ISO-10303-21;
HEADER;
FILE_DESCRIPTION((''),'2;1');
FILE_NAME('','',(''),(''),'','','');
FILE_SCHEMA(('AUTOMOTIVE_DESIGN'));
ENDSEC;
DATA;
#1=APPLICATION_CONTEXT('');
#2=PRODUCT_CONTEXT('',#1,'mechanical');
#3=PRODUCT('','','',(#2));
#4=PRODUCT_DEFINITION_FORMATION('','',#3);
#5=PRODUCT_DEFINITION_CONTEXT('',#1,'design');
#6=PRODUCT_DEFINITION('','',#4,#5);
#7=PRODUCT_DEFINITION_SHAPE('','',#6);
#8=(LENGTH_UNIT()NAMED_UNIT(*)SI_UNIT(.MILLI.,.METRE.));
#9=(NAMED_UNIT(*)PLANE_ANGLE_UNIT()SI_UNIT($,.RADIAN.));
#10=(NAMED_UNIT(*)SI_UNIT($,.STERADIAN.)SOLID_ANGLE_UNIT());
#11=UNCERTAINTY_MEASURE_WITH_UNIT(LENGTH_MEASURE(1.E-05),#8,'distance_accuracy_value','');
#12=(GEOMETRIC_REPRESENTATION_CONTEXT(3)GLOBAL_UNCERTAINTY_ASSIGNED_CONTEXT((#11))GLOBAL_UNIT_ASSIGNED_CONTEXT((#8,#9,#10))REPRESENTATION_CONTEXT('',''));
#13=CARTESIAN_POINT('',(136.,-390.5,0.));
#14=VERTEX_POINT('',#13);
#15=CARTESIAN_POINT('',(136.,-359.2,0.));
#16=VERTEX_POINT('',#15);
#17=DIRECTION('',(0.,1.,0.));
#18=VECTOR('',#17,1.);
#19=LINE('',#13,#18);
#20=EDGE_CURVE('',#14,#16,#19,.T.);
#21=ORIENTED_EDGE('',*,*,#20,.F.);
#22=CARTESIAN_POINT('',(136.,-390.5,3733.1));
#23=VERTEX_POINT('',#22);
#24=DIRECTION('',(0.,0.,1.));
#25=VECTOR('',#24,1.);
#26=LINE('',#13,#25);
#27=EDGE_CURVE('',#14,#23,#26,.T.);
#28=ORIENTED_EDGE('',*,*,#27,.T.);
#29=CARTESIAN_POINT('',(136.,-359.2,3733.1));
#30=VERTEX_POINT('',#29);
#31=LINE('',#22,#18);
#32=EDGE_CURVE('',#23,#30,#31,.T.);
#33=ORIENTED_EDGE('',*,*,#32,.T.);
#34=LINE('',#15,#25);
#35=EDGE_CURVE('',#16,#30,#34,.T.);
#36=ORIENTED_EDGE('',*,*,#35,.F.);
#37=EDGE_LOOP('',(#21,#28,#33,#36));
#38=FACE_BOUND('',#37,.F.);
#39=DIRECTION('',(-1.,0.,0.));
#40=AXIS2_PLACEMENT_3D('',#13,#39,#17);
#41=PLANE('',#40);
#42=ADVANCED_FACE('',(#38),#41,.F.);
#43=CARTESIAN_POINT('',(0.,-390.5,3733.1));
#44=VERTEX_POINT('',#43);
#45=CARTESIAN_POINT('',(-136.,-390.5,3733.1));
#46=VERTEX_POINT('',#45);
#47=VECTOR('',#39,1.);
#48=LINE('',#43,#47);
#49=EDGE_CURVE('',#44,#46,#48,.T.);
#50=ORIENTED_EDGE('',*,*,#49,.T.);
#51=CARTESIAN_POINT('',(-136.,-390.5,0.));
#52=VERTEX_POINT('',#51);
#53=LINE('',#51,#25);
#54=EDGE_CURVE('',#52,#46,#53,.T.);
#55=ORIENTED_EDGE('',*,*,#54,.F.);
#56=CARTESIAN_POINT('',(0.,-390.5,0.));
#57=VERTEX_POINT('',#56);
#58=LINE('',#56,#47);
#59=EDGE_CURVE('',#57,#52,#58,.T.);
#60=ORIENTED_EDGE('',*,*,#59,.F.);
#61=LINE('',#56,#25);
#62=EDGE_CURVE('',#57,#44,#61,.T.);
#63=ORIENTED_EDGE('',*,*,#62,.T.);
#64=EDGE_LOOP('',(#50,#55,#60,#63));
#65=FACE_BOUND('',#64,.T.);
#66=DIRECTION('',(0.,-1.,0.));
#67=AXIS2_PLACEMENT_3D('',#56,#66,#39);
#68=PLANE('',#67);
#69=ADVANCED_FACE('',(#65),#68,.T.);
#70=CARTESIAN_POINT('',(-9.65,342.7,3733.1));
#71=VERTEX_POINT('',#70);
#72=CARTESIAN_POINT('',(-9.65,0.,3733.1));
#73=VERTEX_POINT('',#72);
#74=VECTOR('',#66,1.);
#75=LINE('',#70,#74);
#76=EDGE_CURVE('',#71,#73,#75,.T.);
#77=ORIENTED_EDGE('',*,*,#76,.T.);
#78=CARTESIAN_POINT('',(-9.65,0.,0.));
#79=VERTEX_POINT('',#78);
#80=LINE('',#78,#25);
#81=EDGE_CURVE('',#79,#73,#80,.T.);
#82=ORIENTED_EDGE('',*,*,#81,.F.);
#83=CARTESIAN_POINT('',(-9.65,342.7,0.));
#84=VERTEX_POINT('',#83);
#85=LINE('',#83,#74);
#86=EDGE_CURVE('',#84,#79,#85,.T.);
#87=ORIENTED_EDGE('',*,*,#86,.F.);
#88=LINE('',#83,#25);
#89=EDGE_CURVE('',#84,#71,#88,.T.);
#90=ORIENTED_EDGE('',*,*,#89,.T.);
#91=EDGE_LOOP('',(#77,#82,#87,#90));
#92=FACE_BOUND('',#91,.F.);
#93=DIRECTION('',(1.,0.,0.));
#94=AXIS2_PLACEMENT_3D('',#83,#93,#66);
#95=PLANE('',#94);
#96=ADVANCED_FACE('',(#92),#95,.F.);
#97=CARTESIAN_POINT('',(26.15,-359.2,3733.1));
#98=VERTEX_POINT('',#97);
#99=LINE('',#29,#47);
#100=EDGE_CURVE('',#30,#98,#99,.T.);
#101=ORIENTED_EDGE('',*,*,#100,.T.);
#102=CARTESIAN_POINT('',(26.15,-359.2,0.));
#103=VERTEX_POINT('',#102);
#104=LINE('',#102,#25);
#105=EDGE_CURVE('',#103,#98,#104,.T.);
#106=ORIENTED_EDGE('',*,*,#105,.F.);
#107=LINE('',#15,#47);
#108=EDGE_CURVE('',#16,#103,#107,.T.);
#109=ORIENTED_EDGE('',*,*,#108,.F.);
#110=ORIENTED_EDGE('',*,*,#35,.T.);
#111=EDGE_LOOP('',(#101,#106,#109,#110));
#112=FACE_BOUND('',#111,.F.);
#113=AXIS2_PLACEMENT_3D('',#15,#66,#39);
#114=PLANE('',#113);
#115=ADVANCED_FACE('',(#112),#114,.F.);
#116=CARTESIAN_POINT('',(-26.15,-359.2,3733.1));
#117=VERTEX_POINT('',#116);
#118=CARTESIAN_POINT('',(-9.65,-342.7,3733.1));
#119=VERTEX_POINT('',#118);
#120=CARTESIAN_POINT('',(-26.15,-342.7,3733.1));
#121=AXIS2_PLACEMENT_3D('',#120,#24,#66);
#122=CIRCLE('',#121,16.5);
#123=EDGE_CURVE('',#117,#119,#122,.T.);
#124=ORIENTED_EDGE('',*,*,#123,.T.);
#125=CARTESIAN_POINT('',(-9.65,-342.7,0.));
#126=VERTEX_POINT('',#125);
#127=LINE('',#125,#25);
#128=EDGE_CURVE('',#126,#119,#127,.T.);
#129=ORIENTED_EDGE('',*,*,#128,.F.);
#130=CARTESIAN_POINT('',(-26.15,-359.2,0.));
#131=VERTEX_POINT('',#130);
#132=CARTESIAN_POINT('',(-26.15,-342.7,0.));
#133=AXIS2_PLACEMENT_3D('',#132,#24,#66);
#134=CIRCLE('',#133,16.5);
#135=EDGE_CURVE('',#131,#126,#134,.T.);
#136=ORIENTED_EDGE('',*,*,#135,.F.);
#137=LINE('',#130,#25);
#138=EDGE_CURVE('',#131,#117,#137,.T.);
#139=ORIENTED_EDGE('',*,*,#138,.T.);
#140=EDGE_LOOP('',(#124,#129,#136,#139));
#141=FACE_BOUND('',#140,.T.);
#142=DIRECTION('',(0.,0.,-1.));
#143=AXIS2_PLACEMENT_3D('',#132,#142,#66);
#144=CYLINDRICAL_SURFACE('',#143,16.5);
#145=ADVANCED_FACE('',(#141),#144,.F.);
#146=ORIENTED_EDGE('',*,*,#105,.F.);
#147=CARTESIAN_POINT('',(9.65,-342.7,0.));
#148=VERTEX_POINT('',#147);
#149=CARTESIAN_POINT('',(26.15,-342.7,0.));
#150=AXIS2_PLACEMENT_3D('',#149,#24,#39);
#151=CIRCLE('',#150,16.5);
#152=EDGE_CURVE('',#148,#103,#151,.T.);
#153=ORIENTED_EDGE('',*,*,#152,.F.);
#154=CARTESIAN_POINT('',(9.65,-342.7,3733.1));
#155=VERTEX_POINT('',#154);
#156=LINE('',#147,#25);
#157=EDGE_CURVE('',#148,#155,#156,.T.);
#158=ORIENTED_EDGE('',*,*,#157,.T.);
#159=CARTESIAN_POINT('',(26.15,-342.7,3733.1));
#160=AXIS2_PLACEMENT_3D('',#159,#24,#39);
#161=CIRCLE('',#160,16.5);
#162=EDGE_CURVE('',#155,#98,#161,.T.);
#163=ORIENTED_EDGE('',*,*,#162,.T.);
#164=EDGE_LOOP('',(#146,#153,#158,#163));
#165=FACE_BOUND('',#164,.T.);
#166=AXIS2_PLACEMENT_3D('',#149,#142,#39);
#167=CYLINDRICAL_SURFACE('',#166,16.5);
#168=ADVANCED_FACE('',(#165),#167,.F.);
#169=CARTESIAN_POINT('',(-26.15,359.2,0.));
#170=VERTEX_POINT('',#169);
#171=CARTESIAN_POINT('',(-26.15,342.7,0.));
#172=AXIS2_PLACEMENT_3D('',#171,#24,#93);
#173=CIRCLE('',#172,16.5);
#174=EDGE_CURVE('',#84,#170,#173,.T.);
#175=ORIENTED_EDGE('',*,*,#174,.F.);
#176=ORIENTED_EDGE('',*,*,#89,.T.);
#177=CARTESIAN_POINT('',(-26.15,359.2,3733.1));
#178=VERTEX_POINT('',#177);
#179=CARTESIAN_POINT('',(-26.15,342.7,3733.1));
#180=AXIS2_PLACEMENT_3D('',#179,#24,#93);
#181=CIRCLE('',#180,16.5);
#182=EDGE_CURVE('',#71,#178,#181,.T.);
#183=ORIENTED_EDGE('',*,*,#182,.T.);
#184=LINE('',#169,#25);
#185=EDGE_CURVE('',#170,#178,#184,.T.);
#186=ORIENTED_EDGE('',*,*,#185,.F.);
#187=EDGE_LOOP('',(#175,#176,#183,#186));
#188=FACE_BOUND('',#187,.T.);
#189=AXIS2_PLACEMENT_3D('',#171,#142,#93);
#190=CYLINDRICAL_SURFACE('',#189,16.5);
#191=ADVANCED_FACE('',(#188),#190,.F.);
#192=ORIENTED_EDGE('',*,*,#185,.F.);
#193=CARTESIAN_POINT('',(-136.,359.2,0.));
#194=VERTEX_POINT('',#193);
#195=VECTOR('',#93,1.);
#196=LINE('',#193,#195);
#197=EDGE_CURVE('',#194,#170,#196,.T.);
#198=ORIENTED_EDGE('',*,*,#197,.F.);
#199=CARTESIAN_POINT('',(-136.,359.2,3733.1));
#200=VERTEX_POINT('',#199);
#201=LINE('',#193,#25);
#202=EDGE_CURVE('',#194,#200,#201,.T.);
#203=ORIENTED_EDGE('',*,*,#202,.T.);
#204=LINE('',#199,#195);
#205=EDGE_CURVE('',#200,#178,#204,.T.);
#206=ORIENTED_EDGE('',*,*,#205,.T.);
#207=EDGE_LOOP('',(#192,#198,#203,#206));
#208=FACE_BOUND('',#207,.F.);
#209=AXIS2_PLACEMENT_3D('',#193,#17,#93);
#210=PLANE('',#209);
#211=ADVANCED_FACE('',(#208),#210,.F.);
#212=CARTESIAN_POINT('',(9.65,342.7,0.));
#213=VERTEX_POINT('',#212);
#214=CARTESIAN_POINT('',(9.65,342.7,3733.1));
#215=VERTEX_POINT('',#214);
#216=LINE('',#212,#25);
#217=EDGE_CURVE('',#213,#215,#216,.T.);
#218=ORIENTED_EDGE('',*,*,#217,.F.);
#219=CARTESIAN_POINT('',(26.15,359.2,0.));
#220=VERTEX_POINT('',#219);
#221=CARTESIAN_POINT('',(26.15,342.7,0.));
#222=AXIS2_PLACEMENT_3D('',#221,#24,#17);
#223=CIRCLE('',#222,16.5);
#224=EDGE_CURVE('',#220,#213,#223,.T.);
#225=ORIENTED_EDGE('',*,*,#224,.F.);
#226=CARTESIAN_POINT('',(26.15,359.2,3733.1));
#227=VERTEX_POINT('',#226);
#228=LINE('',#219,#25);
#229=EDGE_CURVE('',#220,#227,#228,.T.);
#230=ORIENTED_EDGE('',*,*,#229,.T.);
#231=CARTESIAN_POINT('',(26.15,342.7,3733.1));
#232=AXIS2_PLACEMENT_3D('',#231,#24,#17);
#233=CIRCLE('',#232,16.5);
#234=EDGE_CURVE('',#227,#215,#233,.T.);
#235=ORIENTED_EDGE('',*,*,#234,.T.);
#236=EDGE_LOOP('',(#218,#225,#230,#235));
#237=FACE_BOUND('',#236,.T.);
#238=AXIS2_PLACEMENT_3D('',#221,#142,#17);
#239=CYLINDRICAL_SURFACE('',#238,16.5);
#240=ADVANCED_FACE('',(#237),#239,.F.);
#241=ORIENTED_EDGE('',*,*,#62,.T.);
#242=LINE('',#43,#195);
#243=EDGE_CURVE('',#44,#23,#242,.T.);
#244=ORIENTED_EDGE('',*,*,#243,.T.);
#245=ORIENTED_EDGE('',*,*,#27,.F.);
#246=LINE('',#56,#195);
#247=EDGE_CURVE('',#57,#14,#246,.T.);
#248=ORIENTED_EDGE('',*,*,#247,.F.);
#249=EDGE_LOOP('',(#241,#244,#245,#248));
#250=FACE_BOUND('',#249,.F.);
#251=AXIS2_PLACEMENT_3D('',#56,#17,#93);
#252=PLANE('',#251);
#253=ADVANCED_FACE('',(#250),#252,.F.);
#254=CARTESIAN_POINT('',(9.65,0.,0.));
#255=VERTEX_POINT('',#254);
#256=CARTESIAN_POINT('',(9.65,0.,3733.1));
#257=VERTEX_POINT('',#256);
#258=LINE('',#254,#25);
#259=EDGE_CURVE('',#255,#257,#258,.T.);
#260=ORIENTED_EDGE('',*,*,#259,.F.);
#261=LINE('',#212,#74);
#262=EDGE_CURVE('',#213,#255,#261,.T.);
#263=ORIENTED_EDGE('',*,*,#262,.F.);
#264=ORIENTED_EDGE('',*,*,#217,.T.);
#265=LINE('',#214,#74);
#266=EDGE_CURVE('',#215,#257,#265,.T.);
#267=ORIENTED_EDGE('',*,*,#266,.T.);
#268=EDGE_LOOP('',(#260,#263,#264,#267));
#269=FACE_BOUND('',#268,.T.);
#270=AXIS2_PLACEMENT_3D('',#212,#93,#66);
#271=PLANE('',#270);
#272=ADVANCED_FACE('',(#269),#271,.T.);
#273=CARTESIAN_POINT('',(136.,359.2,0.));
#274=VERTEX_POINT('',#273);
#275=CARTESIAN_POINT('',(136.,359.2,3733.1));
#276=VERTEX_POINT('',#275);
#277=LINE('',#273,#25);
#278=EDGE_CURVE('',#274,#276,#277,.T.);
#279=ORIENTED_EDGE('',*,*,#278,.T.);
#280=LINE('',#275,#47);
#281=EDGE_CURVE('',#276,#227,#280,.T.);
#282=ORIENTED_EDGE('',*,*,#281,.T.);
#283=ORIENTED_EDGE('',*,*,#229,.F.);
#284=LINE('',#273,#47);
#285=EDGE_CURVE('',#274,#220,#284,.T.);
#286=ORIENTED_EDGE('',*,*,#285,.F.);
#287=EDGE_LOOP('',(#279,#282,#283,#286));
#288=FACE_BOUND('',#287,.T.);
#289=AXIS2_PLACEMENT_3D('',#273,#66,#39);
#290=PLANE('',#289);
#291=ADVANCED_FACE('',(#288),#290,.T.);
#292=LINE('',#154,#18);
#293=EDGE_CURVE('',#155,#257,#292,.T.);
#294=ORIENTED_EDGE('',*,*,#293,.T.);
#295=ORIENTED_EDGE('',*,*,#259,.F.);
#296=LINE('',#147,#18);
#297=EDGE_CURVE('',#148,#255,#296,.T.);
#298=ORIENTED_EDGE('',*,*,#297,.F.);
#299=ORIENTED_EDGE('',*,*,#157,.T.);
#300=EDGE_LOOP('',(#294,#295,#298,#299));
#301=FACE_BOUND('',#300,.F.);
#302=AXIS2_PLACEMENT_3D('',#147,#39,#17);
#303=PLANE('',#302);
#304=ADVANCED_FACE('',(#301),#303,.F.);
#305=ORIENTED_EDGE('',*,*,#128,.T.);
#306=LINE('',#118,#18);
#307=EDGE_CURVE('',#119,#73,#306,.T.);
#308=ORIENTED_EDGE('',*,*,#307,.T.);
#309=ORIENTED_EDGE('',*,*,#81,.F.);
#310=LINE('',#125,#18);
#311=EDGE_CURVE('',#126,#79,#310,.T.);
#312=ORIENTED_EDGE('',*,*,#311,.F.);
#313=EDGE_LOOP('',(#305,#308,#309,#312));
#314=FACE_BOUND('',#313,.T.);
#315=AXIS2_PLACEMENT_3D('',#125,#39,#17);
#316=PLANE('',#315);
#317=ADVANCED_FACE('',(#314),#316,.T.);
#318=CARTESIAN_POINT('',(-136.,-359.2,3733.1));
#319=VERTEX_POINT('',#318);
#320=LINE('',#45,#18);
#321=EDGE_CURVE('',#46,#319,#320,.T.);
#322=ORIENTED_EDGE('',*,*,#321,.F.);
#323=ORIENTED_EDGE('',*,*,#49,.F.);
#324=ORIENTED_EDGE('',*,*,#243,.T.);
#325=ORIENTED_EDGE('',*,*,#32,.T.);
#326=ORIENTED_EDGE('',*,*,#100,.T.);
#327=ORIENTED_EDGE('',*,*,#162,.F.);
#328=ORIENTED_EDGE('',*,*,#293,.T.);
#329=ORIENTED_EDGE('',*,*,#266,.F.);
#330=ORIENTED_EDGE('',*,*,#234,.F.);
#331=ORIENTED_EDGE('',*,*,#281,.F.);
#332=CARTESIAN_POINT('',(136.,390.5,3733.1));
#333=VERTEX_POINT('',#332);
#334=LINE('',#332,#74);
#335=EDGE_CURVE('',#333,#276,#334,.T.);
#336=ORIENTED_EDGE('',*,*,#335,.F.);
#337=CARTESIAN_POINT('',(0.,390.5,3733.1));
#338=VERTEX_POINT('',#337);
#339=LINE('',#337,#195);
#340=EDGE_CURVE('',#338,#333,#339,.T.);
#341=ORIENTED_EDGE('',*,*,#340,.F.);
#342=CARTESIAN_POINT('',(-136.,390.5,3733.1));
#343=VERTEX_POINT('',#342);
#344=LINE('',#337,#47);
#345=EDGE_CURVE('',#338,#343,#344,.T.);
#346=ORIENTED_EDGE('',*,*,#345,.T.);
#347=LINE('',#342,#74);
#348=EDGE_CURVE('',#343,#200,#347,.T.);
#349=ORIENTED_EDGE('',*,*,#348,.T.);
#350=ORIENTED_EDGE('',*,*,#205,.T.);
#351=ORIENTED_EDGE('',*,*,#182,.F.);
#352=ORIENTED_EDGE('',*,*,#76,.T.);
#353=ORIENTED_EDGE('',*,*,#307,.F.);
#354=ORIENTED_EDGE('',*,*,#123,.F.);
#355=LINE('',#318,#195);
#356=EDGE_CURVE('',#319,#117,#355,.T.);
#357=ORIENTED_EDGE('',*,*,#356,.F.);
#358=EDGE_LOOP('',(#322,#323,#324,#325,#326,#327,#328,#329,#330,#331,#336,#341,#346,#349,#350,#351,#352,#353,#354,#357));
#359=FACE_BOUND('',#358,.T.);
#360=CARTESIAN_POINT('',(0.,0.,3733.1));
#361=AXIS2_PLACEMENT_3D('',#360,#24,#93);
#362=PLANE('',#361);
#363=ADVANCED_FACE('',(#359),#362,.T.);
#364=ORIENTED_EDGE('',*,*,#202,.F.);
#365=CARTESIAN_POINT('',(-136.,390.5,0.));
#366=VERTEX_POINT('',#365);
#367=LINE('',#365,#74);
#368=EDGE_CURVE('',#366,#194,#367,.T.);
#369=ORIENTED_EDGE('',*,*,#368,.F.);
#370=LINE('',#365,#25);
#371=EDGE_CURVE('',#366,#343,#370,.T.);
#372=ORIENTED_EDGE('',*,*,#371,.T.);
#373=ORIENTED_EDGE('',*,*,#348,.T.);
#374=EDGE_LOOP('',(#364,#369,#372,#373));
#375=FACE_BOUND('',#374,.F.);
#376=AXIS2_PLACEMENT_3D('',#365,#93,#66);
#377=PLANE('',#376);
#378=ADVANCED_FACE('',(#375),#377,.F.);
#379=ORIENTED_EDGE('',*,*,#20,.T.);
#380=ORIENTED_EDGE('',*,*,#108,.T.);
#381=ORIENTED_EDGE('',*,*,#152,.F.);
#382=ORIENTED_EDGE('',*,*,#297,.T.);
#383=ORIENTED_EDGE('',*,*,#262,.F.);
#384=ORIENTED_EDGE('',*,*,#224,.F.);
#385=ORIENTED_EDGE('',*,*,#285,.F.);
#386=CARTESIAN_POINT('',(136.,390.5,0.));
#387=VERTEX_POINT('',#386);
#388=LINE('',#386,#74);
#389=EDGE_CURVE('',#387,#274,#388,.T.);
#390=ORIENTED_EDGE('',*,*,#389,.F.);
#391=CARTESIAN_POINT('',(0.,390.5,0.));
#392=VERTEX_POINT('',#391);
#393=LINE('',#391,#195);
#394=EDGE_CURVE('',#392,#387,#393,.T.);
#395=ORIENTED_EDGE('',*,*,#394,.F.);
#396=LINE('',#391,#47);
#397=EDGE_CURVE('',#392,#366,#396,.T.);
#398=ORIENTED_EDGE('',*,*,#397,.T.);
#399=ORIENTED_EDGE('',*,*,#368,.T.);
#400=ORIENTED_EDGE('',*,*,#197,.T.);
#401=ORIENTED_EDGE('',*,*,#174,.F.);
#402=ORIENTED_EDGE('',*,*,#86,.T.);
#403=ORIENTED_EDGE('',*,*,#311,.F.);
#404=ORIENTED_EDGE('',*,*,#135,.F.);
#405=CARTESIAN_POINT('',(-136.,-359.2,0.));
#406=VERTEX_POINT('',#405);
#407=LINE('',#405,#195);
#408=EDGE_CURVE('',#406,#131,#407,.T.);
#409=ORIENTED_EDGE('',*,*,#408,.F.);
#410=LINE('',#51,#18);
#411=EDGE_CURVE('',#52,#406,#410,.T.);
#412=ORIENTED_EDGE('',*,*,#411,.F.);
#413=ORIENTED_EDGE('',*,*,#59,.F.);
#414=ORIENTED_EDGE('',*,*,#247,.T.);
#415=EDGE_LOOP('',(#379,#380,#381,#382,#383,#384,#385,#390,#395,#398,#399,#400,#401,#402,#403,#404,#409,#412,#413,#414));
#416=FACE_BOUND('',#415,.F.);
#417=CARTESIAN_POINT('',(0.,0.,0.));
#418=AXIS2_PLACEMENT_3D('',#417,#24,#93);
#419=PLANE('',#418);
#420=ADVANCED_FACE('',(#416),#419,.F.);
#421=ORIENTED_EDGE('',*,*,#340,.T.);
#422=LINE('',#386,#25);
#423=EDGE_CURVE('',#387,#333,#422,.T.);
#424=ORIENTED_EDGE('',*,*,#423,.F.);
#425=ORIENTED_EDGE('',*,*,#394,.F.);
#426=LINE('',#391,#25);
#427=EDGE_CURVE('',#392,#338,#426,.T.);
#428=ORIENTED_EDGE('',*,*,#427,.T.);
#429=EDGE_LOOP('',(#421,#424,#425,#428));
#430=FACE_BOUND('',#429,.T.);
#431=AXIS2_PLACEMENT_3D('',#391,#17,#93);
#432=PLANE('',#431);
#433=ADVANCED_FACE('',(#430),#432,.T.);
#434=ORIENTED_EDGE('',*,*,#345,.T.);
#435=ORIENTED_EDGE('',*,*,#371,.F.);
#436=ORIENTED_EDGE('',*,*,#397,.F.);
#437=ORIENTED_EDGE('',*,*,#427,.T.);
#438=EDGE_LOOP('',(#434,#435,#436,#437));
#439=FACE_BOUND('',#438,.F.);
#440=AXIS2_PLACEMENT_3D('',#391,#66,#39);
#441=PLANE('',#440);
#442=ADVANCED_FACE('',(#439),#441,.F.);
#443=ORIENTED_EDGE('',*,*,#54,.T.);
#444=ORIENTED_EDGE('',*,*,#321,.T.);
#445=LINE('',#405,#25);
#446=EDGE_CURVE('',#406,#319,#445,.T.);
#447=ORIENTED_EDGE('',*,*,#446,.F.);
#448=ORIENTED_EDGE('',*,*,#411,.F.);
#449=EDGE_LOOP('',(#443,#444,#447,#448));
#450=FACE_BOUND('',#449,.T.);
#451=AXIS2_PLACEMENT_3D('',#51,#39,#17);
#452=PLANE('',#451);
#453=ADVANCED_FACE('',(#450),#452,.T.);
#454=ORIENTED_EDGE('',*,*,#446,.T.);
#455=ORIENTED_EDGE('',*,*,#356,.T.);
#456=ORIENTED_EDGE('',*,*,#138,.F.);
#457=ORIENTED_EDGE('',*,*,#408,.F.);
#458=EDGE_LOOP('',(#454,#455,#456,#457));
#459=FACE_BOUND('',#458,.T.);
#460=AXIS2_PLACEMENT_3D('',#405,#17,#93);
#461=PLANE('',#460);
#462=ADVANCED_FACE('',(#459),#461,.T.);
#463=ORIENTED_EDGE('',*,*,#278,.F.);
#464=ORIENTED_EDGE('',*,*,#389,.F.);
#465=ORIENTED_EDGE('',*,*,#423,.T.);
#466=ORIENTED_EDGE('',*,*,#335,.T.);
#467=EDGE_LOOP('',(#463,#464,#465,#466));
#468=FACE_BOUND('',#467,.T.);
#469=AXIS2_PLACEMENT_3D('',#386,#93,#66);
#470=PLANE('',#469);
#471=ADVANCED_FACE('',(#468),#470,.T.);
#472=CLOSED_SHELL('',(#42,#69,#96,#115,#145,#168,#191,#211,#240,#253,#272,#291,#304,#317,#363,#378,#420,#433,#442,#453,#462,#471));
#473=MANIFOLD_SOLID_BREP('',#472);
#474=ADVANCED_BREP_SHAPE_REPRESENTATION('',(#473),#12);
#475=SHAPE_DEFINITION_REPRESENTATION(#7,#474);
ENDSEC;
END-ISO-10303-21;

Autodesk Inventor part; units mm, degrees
ref_plane "YZ Plane" through (0, 0, 0) normal (1, 0, 0) x (0, 1, 0)
ref_plane "Start plane" through (0, 0, 0) normal (0, 0, 1) x (1, 0, 0)
ref_plane "End plane" through (0, 0, 3733.1) normal (0, 0, 1) x (1, 0, 0)
sketch "Sketch" plane through (0, 0, 0) normal (0, 0, 1) x (1, 0, 0)
  line L0 (-136, -390.5) -> (-136, -359.2)
  line L1 (-136, -359.2) -> (-26.15, -359.2)
  line L2 (-9.65, -342.7) -> (-9.65, 0)
  line L3 (-9.65, 0) -> (0, 0) construction
  line L4 (0, 0) -> (0, -390.5) construction
  line L5 (0, -390.5) -> (-136, -390.5)
  line L6 (-60, 0) -> (80, 0) construction
  line L7 (0, -60) -> (0, 80) construction
  line L8 (136, -390.5) -> (136, -359.2)
  line L9 (136, -359.2) -> (26.15, -359.2)
  line L10 (9.65, -342.7) -> (9.65, 0)
  line L11 (9.65, 0) -> (0, 0) construction
  line L12 (0, -390.5) -> (136, -390.5)
  line L13 (-136, 390.5) -> (-136, 359.2)
  line L14 (-136, 359.2) -> (-26.15, 359.2)
  line L15 (-9.65, 342.7) -> (-9.65, 0)
  line L16 (0, 390.5) -> (-136, 390.5)
  line L17 (136, 390.5) -> (136, 359.2)
  line L18 (136, 359.2) -> (26.15, 359.2)
  line L19 (0, 390.5) -> (136, 390.5)
  line L20 (9.65, 342.7) -> (9.65, 0)
  arc A0 (-9.65, 342.7) -> (-26.15, 359.2) centre (-26.15, 342.7) ccw
  arc A1 (26.15, 359.2) -> (9.65, 342.7) centre (26.15, 342.7) ccw
  arc A2 (9.65, -342.7) -> (26.15, -359.2) centre (26.15, -342.7) ccw
  arc A3 (-26.15, -359.2) -> (-9.65, -342.7) centre (-26.15, -342.7) ccw
  line L21 (0, 108) -> (0, -88) construction
  line L22 (-88, 0) -> (108, 0) construction
  point P0 (-9.65, -359.2)
  point P1 (9.65, -359.2)
  point P2 (-9.65, 359.2)
  point P3 (9.65, 359.2)
  dimension "d1" = 390.5
  dimension "d2" = 31.3
  dimension "d3" = 136
  dimension "d4" = 9.65
  dimension "d10" = 16.5
extrude "Body" add sketch "Sketch" along normal up to surface (3733.1 mm away) from surface at 0
sketch "Sketch4" plane through (0, 0, 0) normal (0, 0, 1) x (1, 0, 0)
  line L0 (0, 0) -> (10, 0)
ref_plane "Work Plane3" through (0, 0, 0) normal (0, -1, 0) x (1, 0, 0)
sketch "Sketch5" plane through (0, 0, 0) normal (0, -1, 0) x (1, 0, 0)
  line L0 (-2, 0) -> (12, 0) projected
  line L1 (-2, 3733.1) -> (12, 3733.1) projected
  dimension "d14" = 3733.1
equation "\"d1\" = 0.5 * G_H"
equation "\"d2\" = G_T1"
equation "\"d3\" = 0.5 * G_W"
equation "\"d4\" = 0.5 * G_T"
equation "\"d10\" = G_IR"
equation "\"d5\" = G_L"
equation "\"G_W\" = 272"
equation "\"G_H\" = 781"
equation "\"G_T\" = 19.3"
equation "\"G_T1\" = 31.3"
equation "\"G_IR\" = 16.5"
equation "\"G_L\" = d14"
equation "\"G_OFFSET_START\" = 0"
equation "\"G_OFFSET_END\" = 0"
equation "\"d12\" = G_OFFSET_END + B_L"
equation "\"B_L\" = 3733.1"
properties part number "AS 3679-1990 - 760 UB - 244 - 3733.1" material "Steel, Mild"
